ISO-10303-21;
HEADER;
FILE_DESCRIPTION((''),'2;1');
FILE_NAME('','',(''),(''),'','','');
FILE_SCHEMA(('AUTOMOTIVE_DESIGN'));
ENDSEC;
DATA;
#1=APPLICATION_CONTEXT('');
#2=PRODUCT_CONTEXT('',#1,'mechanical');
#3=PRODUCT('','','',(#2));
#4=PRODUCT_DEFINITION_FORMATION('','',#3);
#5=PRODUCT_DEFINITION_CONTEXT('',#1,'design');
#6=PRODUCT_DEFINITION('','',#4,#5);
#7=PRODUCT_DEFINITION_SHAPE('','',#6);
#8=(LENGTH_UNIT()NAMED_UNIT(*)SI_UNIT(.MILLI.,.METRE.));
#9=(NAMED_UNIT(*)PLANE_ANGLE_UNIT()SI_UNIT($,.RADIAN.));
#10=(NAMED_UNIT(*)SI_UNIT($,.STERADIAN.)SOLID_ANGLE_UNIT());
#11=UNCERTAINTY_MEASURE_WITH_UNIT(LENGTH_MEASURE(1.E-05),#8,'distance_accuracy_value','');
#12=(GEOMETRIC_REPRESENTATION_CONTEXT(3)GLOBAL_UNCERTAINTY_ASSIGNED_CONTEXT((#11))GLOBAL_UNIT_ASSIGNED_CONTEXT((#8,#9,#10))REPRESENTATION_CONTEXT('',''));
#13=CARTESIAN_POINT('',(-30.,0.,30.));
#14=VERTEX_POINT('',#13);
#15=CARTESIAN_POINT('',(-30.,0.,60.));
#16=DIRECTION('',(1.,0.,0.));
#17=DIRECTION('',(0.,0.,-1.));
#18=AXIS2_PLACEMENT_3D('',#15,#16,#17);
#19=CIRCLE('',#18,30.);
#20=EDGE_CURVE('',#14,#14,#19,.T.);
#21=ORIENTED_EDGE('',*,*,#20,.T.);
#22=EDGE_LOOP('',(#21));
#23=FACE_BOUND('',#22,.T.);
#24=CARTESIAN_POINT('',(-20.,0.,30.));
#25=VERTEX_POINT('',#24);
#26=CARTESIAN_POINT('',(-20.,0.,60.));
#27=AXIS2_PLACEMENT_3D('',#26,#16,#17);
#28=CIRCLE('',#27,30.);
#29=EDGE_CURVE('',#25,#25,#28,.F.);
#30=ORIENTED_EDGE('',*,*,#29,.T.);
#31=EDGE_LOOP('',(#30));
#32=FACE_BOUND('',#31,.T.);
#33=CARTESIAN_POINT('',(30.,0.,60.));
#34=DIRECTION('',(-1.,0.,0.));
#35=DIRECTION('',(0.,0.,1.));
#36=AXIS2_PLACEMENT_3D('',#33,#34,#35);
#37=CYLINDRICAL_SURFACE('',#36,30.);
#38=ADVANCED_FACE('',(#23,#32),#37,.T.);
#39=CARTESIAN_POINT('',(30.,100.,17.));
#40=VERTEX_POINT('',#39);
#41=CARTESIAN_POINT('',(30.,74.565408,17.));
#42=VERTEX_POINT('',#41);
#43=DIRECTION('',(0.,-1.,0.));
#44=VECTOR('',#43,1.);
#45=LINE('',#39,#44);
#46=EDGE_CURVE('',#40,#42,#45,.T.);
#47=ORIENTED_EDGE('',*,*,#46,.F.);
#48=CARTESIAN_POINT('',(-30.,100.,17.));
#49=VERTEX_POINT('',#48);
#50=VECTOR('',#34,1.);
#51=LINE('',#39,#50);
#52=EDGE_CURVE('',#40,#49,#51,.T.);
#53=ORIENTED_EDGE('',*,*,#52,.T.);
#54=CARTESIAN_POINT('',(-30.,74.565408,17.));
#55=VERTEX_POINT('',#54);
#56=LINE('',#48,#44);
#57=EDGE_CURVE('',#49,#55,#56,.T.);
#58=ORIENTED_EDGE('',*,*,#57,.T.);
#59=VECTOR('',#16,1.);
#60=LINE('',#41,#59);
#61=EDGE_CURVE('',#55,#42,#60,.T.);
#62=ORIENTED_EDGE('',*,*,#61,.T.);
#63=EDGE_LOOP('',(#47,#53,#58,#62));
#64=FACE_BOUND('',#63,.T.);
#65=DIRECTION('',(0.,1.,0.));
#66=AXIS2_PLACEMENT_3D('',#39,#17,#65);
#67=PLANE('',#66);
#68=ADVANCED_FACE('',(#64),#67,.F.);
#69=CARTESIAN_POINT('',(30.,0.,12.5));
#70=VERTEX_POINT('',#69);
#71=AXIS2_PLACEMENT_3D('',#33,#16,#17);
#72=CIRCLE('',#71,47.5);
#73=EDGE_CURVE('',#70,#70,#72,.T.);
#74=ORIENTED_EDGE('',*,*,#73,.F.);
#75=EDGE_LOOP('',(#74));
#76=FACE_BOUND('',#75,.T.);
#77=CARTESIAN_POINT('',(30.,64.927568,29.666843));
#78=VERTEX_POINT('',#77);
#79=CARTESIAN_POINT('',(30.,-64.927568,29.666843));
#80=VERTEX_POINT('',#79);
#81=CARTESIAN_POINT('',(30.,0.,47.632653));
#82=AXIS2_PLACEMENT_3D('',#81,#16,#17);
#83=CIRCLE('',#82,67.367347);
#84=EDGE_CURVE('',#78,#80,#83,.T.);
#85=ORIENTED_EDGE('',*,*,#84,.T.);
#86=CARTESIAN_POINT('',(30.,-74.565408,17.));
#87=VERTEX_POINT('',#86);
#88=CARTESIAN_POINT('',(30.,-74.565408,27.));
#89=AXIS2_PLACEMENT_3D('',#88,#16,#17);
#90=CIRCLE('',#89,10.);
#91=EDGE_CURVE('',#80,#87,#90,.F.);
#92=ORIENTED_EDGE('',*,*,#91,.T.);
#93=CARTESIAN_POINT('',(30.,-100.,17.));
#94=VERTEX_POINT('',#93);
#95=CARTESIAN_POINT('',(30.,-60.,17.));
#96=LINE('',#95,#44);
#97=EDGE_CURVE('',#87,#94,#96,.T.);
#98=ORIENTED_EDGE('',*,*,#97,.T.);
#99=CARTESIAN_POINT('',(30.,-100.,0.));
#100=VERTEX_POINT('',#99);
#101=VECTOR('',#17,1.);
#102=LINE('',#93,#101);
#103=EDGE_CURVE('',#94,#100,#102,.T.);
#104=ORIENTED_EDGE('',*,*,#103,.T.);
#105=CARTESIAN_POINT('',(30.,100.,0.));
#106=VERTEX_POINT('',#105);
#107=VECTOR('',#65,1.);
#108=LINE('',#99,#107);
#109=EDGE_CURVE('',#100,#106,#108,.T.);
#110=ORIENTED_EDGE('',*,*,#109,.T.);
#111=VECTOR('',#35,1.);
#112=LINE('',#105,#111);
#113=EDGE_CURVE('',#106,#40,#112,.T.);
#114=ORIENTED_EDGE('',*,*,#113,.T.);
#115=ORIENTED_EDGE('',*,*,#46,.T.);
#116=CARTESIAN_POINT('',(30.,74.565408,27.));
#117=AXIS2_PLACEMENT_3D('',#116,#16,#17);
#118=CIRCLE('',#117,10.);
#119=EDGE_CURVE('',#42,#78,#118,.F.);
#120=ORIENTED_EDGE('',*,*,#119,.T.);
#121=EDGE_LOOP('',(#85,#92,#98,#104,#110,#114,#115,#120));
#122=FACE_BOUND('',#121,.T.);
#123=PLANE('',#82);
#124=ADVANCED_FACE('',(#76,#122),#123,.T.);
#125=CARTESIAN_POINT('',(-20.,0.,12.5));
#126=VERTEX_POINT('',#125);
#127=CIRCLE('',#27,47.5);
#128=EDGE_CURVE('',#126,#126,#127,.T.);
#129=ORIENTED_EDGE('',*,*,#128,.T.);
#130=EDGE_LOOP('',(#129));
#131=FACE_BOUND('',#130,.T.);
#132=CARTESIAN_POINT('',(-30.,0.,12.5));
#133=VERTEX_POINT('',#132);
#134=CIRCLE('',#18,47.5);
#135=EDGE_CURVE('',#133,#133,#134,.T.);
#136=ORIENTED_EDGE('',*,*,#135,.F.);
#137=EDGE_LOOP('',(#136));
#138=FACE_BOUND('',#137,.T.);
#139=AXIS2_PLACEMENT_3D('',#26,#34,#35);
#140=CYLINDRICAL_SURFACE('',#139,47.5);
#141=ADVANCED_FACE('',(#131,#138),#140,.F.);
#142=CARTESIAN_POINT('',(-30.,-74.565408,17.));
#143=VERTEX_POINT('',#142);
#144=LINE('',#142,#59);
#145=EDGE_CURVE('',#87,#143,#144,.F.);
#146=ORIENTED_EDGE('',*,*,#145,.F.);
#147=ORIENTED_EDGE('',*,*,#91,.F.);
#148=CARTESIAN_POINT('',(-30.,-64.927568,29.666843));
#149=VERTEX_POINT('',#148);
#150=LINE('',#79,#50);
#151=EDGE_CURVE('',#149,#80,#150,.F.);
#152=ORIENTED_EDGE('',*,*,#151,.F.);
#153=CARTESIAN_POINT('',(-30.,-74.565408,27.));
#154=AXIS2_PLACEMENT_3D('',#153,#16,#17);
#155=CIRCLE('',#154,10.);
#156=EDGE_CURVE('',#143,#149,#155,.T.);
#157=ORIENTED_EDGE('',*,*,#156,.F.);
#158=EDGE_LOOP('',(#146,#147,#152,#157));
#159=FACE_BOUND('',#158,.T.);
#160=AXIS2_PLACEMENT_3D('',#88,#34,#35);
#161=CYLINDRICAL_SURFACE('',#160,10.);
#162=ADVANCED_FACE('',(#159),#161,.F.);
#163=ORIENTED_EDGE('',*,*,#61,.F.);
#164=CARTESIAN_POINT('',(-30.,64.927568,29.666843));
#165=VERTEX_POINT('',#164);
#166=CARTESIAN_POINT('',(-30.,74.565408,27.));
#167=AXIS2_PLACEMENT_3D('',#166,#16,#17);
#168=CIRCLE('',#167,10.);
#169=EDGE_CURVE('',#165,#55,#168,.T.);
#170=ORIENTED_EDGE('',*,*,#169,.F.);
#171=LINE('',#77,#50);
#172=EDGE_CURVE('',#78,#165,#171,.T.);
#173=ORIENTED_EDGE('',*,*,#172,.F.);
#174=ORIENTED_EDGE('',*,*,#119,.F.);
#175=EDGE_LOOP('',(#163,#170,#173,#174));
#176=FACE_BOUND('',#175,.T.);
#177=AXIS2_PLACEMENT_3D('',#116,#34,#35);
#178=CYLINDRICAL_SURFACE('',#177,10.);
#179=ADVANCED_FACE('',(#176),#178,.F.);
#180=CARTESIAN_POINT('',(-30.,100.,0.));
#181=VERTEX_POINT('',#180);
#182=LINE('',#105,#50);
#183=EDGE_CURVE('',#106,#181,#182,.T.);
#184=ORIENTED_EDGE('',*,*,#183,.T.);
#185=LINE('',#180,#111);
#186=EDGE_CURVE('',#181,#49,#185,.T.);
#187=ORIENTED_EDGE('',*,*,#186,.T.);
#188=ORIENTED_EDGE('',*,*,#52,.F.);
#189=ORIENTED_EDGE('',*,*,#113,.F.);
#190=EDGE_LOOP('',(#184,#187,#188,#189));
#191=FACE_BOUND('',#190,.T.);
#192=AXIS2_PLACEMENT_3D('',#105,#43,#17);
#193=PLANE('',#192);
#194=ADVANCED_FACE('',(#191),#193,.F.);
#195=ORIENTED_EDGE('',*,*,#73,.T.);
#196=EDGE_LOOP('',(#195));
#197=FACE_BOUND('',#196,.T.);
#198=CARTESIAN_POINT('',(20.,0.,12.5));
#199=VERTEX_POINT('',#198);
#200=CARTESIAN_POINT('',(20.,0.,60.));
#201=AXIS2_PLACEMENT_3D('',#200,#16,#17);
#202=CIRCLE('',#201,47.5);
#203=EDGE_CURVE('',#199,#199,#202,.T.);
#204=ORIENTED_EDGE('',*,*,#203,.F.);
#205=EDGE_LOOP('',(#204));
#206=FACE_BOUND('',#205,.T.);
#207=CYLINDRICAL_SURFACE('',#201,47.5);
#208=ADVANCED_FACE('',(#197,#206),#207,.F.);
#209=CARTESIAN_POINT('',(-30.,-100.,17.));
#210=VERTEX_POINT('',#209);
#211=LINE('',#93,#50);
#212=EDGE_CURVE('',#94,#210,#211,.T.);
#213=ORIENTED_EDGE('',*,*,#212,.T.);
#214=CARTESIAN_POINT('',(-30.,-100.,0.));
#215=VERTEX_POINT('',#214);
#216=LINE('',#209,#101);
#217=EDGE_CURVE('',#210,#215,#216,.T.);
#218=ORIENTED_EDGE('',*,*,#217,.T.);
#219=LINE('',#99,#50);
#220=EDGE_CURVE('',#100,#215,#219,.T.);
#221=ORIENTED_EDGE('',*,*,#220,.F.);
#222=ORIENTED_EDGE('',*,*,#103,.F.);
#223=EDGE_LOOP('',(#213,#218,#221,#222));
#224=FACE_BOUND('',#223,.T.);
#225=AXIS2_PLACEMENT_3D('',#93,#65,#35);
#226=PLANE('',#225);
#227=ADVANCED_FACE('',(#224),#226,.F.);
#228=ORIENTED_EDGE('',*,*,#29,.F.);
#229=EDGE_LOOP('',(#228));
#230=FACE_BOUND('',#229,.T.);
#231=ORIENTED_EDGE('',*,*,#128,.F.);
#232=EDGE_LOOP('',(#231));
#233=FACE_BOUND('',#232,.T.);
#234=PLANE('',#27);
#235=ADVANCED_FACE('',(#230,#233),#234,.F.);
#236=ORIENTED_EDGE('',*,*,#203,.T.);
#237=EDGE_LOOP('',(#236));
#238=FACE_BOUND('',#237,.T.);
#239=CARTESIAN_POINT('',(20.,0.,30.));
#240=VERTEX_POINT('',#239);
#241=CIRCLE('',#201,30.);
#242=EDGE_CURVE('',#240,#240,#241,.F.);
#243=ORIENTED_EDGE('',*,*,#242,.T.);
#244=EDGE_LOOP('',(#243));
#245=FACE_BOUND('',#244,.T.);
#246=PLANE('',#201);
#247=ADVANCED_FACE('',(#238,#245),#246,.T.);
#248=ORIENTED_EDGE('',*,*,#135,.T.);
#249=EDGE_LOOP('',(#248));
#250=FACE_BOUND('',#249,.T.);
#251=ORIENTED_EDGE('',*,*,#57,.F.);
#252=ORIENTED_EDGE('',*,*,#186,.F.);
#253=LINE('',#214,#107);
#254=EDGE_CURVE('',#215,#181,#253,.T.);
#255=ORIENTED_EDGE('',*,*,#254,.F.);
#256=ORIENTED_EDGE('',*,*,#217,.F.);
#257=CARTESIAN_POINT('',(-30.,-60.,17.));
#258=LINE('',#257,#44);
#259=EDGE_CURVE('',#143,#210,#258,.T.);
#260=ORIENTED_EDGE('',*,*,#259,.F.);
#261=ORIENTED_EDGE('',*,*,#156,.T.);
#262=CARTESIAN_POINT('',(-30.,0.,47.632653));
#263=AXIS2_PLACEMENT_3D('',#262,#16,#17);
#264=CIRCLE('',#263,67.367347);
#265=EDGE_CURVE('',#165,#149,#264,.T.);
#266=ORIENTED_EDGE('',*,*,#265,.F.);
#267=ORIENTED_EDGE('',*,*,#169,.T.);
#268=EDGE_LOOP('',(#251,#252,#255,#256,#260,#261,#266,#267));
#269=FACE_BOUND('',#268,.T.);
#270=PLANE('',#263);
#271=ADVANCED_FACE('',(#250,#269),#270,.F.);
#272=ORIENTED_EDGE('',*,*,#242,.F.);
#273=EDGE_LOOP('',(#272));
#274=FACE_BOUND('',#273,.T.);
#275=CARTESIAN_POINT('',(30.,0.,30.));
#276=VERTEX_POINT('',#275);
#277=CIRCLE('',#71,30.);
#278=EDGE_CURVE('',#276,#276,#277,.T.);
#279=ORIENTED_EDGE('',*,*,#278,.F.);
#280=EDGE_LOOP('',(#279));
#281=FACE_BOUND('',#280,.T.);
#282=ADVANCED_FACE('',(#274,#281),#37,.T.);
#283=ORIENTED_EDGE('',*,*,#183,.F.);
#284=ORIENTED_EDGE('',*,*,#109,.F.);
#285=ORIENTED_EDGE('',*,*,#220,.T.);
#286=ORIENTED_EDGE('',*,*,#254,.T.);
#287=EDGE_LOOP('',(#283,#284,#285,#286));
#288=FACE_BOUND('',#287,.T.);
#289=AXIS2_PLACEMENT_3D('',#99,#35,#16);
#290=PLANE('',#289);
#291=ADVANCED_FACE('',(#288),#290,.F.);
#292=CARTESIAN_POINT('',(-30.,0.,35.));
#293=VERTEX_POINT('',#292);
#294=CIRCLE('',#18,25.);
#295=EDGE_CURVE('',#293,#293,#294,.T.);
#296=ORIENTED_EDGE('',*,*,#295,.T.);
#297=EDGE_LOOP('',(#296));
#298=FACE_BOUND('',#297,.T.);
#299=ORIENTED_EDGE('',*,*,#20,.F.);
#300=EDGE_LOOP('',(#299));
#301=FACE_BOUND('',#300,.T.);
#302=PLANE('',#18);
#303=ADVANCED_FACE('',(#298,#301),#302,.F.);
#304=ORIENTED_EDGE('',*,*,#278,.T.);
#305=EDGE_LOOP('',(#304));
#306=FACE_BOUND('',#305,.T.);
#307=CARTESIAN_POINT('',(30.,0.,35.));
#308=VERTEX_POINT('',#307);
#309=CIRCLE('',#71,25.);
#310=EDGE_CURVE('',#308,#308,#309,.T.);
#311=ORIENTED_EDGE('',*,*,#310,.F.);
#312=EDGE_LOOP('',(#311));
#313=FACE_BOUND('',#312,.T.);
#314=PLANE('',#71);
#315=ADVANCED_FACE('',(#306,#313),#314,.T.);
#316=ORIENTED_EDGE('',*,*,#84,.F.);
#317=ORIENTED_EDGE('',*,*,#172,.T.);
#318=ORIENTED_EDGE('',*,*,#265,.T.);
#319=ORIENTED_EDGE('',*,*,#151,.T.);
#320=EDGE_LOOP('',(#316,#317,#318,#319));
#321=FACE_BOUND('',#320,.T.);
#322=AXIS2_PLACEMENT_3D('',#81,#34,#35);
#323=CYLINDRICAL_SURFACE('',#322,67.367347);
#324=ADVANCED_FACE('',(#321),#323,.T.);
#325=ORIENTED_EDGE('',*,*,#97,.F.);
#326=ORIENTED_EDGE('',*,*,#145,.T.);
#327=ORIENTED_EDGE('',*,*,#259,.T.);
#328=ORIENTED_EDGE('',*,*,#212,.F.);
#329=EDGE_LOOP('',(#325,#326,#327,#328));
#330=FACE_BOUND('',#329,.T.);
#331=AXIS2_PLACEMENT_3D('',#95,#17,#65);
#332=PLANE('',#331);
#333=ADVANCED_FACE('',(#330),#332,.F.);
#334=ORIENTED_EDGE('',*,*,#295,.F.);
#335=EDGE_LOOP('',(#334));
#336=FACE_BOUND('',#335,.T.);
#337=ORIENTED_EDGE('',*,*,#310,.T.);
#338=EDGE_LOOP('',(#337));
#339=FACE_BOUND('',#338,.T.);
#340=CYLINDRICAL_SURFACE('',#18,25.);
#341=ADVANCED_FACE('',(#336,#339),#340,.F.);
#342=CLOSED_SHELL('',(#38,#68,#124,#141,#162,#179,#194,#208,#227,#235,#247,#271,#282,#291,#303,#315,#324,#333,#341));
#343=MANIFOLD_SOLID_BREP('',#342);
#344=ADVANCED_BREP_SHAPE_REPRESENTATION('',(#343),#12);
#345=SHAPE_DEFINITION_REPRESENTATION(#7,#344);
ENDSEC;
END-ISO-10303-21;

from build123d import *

# Parameters (mm, degrees)
BOSS_EXTRUDE1_DEPTH      = 30
FILLET1_R                = 10
CUT_EXTRUDE1_DEPTH       = 156.32224567
CUT_EXTRUDE1_DEPTH_BACK  = 156.32224567
SKETCH2_R                = 25
CUT_EXTRUDE2_START       = -30
SKETCH3_R                = 47.5
CUT_EXTRUDE2_DEPTH       = 10
CUT_EXTRUDE3_START       = 20
SKETCH3_3_R              = 47.5
CUT_EXTRUDE3_DEPTH       = 10
BOSS_EXTRUDE2_DEPTH      = 30
BOSS_EXTRUDE2_DEPTH_BACK = 30
SKETCH4_R                = 30
SKETCH4_R_2              = 25


with BuildPart() as part:
    # Sketch1 → Boss-Extrude1 (new, symmetric)
    with BuildSketch(Plane(origin=(0, 0, 0), x_dir=(0, 0, -1), z_dir=(1, 0, 0))):
        with BuildLine():
            Line((0, -100), (0, 100))
            Line((0, 100), (-17, 100))
            Line((-17, 100), (-17, 60))
            ThreePointArc((-17, 60), (-115, 0), (-17, -60))
            Line((-17, -60), (-17, -100))
            Line((-17, -100), (0, -100))
        make_face()
    extrude(amount=BOSS_EXTRUDE1_DEPTH, both=True)

    # Fillet1
    fillet1_edges = [part.edges().sort_by_distance(p)[0] for p in [
        (0, -60, 17),
        (0, 60, 17),
    ]]
    fillet(fillet1_edges, radius=FILLET1_R)

    # Sketch2 → Cut-Extrude1 (cut, two sides: drawn at the far end of the back side and taken through both)
    with BuildSketch(Plane(origin=(0, 0, 0), x_dir=(0, 0, -1), z_dir=(1, 0, 0)).offset(-CUT_EXTRUDE1_DEPTH_BACK)):
        with Locations((-60, 0)):
            Circle(SKETCH2_R)
    extrude(amount=CUT_EXTRUDE1_DEPTH + CUT_EXTRUDE1_DEPTH_BACK, mode=Mode.SUBTRACT)

    # Sketch3 → Cut-Extrude2 (cut)
    with BuildSketch(Plane(origin=(0, 0, 0), x_dir=(0, 0, -1), z_dir=(1, 0, 0)).offset(CUT_EXTRUDE2_START)):
        with Locations((-60, 0)):
            Circle(SKETCH3_R)
    extrude(amount=CUT_EXTRUDE2_DEPTH, mode=Mode.SUBTRACT)

    # Sketch3<3> → Cut-Extrude3 (cut)
    with BuildSketch(Plane(origin=(0, 0, 0), x_dir=(0, 0, -1), z_dir=(1, 0, 0)).offset(CUT_EXTRUDE3_START)):
        with Locations((-60, 0)):
            Circle(SKETCH3_3_R)
    extrude(amount=CUT_EXTRUDE3_DEPTH, mode=Mode.SUBTRACT)

    # Sketch4 → Boss-Extrude2 (add, two sides: drawn at the far end of the back side and taken through both)
    with BuildSketch(Plane(origin=(0, 0, 0), x_dir=(0, 0, -1), z_dir=(1, 0, 0)).offset(-BOSS_EXTRUDE2_DEPTH_BACK)):
        with Locations((-60, 0)):
            Circle(SKETCH4_R)
        with Locations((-60, 0)):
            Circle(SKETCH4_R_2, mode=Mode.SUBTRACT)
    extrude(amount=BOSS_EXTRUDE2_DEPTH + BOSS_EXTRUDE2_DEPTH_BACK)


solid = part.part
